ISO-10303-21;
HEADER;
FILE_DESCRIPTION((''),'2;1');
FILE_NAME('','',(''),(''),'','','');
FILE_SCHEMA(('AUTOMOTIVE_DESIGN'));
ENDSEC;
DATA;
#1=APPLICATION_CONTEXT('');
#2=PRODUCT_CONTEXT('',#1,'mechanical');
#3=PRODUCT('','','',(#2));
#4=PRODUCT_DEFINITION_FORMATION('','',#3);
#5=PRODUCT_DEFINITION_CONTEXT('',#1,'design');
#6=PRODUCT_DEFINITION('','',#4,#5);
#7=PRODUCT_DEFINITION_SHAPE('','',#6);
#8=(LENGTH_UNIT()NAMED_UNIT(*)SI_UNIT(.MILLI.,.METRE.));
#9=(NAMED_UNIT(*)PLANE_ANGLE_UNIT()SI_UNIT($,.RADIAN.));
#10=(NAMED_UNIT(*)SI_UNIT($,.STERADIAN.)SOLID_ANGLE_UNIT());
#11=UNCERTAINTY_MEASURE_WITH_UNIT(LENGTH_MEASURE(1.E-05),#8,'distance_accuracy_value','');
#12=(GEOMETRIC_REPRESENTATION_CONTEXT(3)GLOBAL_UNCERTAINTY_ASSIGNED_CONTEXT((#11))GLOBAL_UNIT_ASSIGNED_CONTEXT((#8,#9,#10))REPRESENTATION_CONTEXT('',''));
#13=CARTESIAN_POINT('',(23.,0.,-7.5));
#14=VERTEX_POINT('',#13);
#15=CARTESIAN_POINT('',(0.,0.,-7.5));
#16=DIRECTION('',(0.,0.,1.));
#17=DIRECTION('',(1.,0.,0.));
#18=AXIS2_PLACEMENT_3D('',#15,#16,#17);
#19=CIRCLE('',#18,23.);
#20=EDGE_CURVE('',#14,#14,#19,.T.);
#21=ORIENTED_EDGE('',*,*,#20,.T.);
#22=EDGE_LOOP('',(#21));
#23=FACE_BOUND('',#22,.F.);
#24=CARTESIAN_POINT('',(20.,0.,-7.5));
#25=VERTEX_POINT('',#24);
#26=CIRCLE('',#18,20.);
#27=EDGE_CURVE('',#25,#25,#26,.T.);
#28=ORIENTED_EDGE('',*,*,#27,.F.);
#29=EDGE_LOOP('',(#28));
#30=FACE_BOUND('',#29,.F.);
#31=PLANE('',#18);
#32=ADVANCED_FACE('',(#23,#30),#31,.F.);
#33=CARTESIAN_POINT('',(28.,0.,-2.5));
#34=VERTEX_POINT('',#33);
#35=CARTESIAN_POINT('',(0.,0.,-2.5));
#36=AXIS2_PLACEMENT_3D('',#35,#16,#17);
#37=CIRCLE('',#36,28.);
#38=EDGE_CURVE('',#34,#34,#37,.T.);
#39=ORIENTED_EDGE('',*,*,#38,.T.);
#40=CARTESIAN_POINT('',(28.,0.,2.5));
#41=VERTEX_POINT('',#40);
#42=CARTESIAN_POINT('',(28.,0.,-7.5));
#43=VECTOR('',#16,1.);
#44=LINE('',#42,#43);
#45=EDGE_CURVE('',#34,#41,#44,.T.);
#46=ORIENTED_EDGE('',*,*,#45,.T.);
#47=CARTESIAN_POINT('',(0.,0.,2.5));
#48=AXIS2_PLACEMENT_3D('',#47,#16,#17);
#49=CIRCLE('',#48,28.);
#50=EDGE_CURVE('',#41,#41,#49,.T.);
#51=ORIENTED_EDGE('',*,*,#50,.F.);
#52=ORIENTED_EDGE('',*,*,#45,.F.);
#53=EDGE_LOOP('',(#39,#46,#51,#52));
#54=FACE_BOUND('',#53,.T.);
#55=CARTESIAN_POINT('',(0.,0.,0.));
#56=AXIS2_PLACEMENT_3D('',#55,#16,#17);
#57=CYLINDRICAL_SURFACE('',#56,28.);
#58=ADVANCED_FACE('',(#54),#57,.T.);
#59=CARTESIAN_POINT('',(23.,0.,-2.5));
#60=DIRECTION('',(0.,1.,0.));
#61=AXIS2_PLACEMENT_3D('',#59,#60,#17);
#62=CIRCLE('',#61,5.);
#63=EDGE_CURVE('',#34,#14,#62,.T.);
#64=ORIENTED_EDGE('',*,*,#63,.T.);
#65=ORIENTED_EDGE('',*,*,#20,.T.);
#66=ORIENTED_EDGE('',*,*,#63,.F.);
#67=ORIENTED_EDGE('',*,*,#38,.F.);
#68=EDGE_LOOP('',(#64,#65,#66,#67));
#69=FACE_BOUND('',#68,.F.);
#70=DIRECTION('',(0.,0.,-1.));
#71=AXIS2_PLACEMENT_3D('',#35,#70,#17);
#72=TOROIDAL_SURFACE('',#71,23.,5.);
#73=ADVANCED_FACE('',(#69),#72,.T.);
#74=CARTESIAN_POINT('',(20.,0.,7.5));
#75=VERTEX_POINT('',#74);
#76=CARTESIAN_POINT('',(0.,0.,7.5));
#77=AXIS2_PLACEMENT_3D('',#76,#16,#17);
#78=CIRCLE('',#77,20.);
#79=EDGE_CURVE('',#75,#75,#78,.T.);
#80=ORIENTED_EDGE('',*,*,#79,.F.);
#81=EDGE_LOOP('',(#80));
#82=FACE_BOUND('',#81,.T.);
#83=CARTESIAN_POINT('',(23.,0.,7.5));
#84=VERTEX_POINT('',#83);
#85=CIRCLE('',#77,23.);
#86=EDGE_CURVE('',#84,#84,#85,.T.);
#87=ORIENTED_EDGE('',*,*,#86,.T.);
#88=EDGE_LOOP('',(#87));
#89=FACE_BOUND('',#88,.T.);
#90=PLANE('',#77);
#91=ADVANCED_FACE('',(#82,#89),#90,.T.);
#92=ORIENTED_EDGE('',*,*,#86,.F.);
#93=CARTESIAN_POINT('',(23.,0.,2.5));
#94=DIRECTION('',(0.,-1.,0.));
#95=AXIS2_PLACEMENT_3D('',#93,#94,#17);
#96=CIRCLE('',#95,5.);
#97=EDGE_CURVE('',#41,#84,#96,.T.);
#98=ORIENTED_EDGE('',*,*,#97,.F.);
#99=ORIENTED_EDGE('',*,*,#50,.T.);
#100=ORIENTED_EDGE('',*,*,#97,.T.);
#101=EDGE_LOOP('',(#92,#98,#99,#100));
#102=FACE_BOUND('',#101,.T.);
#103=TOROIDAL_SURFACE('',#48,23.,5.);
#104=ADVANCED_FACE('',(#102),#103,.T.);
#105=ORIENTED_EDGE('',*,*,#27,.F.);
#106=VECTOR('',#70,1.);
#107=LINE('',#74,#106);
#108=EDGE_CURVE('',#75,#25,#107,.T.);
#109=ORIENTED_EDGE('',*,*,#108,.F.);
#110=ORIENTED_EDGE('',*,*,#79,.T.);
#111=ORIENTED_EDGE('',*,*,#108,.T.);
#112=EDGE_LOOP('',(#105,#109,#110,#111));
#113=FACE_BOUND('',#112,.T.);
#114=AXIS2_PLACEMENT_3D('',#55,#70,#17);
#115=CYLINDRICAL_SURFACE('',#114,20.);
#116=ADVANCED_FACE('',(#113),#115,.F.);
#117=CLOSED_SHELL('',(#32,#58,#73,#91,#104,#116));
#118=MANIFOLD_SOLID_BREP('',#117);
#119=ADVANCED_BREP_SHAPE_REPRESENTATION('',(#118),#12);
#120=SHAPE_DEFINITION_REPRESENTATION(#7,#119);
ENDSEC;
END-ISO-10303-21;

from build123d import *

# Parameters (mm, degrees)
F0_R     = 28
F0_R_2   = 20
F1_DEPTH = 7.5
F2_R     = 5


with BuildPart() as f1:
    # F0 (on Top) → F1 (new body, symmetric)
    with BuildSketch(Plane.XY):
        Circle(F0_R)
        Circle(F0_R_2, mode=Mode.SUBTRACT)
    extrude(amount=F1_DEPTH, both=True)

    # F2
    f2_edges = [f1.edges().sort_by_distance(p)[0] for p in [
        (-28, 0, 7.5),
        (-28, 0, -7.5),
    ]]
    fillet(f2_edges, radius=F2_R)


solid = f1.part
